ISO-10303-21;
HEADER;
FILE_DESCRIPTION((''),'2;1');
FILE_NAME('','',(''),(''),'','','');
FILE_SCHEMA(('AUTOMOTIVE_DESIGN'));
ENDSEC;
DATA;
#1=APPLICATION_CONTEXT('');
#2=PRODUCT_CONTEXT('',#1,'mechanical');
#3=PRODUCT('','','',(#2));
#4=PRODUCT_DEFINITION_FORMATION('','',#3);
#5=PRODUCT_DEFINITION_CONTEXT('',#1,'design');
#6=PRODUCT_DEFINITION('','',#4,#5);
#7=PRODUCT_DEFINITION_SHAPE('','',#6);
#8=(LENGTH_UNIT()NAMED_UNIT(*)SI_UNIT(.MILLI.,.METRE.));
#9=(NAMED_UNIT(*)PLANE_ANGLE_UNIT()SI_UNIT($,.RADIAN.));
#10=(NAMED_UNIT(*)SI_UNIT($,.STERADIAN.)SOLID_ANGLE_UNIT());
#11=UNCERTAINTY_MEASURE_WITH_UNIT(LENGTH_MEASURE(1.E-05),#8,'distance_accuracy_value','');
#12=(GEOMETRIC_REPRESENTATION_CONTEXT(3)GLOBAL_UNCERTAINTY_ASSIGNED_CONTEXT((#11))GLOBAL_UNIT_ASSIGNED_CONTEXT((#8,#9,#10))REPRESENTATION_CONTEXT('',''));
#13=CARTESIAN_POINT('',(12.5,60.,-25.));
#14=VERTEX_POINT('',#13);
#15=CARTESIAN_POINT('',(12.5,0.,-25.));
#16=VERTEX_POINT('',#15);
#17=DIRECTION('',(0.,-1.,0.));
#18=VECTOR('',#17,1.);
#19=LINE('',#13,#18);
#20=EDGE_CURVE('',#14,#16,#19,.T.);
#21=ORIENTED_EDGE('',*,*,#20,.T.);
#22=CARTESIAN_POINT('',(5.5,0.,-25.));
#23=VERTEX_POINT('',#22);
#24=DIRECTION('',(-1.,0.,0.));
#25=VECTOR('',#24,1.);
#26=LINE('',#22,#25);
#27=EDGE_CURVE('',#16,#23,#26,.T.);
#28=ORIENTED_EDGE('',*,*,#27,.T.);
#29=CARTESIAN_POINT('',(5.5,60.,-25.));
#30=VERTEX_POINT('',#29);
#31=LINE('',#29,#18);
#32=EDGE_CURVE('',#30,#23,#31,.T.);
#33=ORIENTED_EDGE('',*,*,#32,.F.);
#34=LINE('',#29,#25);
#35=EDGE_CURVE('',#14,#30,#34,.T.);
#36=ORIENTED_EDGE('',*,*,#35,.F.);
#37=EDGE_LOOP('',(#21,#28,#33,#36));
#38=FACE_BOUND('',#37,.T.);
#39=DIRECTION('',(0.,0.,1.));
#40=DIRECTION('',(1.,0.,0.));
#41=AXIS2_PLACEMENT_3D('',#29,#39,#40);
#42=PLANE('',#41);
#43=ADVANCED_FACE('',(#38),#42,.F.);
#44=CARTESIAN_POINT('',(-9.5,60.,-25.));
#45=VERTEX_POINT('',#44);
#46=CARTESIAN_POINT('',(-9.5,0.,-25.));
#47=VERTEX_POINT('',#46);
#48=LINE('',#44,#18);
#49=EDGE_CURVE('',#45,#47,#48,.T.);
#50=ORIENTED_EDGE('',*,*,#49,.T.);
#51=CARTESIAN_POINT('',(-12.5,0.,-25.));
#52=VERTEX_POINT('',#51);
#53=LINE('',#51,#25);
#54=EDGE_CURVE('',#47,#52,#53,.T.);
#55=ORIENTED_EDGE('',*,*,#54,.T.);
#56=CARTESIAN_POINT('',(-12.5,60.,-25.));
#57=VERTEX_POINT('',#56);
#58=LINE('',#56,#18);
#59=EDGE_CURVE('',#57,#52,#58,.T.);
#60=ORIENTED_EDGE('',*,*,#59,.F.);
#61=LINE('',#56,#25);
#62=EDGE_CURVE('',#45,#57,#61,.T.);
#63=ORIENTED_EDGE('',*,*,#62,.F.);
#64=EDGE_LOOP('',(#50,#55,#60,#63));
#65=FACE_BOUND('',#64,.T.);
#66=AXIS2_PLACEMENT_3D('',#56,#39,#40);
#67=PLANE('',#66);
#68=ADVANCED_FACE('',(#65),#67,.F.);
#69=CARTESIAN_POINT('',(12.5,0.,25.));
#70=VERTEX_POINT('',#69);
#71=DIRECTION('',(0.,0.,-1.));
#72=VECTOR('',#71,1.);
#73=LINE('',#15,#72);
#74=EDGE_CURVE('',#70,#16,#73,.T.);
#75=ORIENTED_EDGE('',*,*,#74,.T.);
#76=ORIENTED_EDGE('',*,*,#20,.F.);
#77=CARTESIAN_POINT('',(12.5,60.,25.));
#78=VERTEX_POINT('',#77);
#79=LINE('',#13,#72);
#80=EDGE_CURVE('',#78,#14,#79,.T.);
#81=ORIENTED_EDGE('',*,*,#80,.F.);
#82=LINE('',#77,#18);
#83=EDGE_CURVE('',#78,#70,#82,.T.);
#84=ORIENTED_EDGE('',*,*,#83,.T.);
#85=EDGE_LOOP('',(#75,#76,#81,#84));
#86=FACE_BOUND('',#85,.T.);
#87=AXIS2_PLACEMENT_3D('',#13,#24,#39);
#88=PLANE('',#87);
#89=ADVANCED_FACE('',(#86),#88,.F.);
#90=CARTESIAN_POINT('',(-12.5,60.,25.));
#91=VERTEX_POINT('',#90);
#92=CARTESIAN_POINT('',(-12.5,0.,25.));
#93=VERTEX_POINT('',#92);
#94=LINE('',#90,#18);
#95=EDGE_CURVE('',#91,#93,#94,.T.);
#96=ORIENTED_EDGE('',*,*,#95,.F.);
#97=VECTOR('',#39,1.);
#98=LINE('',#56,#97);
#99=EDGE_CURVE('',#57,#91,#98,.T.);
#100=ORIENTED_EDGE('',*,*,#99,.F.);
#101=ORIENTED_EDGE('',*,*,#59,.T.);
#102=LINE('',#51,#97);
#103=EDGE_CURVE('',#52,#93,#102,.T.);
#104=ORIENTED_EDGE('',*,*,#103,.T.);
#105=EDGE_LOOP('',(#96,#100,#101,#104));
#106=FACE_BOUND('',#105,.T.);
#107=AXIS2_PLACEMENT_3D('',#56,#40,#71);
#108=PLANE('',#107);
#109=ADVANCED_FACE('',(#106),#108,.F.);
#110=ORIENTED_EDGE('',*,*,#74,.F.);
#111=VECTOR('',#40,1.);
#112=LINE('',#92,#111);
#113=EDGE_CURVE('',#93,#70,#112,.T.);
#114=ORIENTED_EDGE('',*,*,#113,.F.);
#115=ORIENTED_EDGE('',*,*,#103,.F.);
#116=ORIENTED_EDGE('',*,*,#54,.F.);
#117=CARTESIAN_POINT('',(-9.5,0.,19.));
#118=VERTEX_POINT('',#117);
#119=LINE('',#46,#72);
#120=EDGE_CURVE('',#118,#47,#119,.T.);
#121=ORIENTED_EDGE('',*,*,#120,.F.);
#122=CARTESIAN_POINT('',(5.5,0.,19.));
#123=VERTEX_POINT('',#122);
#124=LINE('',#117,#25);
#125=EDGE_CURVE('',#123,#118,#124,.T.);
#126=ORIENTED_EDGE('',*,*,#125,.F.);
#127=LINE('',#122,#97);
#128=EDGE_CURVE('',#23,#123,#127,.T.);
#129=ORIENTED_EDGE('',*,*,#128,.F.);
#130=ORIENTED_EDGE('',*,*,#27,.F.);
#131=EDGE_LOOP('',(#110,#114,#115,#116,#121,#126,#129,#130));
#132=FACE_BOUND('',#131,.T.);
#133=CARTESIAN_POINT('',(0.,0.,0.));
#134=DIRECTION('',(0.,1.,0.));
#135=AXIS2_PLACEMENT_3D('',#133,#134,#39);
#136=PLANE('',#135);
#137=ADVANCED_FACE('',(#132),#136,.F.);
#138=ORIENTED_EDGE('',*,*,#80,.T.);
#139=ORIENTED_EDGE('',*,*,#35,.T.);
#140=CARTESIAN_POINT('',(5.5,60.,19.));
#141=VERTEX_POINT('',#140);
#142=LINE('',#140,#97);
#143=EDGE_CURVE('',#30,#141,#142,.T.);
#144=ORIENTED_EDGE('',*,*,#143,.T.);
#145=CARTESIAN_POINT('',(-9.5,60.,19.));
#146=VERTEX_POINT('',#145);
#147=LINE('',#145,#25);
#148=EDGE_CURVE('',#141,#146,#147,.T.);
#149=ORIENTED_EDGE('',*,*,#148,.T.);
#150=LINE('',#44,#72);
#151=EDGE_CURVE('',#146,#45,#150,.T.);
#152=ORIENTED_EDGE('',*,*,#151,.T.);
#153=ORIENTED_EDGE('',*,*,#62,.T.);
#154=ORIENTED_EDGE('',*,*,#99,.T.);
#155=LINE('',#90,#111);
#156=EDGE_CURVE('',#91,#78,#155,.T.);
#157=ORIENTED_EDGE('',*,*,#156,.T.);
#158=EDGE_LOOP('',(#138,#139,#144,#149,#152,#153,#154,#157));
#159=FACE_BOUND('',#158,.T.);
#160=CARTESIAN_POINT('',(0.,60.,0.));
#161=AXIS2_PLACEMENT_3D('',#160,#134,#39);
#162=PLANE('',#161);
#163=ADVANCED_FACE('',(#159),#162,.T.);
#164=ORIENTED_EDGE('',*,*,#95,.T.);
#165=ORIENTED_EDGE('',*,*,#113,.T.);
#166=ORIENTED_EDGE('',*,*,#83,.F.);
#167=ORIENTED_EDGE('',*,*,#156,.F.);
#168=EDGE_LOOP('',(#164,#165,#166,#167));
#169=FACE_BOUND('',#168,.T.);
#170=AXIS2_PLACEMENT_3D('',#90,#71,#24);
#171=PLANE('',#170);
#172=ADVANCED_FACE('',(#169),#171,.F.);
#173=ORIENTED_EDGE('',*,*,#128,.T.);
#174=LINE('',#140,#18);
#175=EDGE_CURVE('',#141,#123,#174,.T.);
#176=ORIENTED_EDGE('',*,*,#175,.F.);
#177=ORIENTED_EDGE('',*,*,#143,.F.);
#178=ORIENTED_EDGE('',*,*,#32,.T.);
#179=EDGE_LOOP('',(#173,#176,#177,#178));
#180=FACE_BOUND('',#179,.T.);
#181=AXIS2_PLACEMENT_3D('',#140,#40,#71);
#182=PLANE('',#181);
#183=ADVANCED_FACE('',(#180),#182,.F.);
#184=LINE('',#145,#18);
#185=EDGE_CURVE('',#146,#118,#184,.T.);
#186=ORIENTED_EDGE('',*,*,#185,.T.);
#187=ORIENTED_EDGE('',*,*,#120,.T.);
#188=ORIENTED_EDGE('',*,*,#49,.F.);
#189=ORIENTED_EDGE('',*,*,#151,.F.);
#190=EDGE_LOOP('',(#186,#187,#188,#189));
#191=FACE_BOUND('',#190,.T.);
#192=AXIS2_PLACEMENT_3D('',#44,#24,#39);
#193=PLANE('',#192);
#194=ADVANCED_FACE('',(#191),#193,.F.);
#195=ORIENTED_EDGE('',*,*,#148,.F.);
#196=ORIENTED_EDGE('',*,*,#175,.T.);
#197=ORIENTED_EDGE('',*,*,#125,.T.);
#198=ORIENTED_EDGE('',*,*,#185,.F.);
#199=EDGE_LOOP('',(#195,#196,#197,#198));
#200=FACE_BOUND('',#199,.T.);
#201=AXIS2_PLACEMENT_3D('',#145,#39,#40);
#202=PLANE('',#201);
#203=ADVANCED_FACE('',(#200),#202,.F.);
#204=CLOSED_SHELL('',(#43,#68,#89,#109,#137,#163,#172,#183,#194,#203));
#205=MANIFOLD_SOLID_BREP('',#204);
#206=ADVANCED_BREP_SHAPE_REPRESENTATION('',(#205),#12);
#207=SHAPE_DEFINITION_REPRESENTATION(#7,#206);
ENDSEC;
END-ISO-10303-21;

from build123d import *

# Parameters (mm, degrees)
EXTRUDE_1_DEPTH = 60


with BuildPart() as part:
    # 草图1 → 凸台-拉伸1 (new body)
    with BuildSketch(Plane(origin=(0, 0, 0), x_dir=(1, 0, 0), z_dir=(0, 1, 0))):
        Polygon((-9.5, 25), (-9.5, -19), (5.5, -19), (5.5, 25), (12.5, 25), (12.5, -25), (-12.5, -25), (-12.5, 25), align=None)
    extrude(amount=EXTRUDE_1_DEPTH)


solid = part.part
